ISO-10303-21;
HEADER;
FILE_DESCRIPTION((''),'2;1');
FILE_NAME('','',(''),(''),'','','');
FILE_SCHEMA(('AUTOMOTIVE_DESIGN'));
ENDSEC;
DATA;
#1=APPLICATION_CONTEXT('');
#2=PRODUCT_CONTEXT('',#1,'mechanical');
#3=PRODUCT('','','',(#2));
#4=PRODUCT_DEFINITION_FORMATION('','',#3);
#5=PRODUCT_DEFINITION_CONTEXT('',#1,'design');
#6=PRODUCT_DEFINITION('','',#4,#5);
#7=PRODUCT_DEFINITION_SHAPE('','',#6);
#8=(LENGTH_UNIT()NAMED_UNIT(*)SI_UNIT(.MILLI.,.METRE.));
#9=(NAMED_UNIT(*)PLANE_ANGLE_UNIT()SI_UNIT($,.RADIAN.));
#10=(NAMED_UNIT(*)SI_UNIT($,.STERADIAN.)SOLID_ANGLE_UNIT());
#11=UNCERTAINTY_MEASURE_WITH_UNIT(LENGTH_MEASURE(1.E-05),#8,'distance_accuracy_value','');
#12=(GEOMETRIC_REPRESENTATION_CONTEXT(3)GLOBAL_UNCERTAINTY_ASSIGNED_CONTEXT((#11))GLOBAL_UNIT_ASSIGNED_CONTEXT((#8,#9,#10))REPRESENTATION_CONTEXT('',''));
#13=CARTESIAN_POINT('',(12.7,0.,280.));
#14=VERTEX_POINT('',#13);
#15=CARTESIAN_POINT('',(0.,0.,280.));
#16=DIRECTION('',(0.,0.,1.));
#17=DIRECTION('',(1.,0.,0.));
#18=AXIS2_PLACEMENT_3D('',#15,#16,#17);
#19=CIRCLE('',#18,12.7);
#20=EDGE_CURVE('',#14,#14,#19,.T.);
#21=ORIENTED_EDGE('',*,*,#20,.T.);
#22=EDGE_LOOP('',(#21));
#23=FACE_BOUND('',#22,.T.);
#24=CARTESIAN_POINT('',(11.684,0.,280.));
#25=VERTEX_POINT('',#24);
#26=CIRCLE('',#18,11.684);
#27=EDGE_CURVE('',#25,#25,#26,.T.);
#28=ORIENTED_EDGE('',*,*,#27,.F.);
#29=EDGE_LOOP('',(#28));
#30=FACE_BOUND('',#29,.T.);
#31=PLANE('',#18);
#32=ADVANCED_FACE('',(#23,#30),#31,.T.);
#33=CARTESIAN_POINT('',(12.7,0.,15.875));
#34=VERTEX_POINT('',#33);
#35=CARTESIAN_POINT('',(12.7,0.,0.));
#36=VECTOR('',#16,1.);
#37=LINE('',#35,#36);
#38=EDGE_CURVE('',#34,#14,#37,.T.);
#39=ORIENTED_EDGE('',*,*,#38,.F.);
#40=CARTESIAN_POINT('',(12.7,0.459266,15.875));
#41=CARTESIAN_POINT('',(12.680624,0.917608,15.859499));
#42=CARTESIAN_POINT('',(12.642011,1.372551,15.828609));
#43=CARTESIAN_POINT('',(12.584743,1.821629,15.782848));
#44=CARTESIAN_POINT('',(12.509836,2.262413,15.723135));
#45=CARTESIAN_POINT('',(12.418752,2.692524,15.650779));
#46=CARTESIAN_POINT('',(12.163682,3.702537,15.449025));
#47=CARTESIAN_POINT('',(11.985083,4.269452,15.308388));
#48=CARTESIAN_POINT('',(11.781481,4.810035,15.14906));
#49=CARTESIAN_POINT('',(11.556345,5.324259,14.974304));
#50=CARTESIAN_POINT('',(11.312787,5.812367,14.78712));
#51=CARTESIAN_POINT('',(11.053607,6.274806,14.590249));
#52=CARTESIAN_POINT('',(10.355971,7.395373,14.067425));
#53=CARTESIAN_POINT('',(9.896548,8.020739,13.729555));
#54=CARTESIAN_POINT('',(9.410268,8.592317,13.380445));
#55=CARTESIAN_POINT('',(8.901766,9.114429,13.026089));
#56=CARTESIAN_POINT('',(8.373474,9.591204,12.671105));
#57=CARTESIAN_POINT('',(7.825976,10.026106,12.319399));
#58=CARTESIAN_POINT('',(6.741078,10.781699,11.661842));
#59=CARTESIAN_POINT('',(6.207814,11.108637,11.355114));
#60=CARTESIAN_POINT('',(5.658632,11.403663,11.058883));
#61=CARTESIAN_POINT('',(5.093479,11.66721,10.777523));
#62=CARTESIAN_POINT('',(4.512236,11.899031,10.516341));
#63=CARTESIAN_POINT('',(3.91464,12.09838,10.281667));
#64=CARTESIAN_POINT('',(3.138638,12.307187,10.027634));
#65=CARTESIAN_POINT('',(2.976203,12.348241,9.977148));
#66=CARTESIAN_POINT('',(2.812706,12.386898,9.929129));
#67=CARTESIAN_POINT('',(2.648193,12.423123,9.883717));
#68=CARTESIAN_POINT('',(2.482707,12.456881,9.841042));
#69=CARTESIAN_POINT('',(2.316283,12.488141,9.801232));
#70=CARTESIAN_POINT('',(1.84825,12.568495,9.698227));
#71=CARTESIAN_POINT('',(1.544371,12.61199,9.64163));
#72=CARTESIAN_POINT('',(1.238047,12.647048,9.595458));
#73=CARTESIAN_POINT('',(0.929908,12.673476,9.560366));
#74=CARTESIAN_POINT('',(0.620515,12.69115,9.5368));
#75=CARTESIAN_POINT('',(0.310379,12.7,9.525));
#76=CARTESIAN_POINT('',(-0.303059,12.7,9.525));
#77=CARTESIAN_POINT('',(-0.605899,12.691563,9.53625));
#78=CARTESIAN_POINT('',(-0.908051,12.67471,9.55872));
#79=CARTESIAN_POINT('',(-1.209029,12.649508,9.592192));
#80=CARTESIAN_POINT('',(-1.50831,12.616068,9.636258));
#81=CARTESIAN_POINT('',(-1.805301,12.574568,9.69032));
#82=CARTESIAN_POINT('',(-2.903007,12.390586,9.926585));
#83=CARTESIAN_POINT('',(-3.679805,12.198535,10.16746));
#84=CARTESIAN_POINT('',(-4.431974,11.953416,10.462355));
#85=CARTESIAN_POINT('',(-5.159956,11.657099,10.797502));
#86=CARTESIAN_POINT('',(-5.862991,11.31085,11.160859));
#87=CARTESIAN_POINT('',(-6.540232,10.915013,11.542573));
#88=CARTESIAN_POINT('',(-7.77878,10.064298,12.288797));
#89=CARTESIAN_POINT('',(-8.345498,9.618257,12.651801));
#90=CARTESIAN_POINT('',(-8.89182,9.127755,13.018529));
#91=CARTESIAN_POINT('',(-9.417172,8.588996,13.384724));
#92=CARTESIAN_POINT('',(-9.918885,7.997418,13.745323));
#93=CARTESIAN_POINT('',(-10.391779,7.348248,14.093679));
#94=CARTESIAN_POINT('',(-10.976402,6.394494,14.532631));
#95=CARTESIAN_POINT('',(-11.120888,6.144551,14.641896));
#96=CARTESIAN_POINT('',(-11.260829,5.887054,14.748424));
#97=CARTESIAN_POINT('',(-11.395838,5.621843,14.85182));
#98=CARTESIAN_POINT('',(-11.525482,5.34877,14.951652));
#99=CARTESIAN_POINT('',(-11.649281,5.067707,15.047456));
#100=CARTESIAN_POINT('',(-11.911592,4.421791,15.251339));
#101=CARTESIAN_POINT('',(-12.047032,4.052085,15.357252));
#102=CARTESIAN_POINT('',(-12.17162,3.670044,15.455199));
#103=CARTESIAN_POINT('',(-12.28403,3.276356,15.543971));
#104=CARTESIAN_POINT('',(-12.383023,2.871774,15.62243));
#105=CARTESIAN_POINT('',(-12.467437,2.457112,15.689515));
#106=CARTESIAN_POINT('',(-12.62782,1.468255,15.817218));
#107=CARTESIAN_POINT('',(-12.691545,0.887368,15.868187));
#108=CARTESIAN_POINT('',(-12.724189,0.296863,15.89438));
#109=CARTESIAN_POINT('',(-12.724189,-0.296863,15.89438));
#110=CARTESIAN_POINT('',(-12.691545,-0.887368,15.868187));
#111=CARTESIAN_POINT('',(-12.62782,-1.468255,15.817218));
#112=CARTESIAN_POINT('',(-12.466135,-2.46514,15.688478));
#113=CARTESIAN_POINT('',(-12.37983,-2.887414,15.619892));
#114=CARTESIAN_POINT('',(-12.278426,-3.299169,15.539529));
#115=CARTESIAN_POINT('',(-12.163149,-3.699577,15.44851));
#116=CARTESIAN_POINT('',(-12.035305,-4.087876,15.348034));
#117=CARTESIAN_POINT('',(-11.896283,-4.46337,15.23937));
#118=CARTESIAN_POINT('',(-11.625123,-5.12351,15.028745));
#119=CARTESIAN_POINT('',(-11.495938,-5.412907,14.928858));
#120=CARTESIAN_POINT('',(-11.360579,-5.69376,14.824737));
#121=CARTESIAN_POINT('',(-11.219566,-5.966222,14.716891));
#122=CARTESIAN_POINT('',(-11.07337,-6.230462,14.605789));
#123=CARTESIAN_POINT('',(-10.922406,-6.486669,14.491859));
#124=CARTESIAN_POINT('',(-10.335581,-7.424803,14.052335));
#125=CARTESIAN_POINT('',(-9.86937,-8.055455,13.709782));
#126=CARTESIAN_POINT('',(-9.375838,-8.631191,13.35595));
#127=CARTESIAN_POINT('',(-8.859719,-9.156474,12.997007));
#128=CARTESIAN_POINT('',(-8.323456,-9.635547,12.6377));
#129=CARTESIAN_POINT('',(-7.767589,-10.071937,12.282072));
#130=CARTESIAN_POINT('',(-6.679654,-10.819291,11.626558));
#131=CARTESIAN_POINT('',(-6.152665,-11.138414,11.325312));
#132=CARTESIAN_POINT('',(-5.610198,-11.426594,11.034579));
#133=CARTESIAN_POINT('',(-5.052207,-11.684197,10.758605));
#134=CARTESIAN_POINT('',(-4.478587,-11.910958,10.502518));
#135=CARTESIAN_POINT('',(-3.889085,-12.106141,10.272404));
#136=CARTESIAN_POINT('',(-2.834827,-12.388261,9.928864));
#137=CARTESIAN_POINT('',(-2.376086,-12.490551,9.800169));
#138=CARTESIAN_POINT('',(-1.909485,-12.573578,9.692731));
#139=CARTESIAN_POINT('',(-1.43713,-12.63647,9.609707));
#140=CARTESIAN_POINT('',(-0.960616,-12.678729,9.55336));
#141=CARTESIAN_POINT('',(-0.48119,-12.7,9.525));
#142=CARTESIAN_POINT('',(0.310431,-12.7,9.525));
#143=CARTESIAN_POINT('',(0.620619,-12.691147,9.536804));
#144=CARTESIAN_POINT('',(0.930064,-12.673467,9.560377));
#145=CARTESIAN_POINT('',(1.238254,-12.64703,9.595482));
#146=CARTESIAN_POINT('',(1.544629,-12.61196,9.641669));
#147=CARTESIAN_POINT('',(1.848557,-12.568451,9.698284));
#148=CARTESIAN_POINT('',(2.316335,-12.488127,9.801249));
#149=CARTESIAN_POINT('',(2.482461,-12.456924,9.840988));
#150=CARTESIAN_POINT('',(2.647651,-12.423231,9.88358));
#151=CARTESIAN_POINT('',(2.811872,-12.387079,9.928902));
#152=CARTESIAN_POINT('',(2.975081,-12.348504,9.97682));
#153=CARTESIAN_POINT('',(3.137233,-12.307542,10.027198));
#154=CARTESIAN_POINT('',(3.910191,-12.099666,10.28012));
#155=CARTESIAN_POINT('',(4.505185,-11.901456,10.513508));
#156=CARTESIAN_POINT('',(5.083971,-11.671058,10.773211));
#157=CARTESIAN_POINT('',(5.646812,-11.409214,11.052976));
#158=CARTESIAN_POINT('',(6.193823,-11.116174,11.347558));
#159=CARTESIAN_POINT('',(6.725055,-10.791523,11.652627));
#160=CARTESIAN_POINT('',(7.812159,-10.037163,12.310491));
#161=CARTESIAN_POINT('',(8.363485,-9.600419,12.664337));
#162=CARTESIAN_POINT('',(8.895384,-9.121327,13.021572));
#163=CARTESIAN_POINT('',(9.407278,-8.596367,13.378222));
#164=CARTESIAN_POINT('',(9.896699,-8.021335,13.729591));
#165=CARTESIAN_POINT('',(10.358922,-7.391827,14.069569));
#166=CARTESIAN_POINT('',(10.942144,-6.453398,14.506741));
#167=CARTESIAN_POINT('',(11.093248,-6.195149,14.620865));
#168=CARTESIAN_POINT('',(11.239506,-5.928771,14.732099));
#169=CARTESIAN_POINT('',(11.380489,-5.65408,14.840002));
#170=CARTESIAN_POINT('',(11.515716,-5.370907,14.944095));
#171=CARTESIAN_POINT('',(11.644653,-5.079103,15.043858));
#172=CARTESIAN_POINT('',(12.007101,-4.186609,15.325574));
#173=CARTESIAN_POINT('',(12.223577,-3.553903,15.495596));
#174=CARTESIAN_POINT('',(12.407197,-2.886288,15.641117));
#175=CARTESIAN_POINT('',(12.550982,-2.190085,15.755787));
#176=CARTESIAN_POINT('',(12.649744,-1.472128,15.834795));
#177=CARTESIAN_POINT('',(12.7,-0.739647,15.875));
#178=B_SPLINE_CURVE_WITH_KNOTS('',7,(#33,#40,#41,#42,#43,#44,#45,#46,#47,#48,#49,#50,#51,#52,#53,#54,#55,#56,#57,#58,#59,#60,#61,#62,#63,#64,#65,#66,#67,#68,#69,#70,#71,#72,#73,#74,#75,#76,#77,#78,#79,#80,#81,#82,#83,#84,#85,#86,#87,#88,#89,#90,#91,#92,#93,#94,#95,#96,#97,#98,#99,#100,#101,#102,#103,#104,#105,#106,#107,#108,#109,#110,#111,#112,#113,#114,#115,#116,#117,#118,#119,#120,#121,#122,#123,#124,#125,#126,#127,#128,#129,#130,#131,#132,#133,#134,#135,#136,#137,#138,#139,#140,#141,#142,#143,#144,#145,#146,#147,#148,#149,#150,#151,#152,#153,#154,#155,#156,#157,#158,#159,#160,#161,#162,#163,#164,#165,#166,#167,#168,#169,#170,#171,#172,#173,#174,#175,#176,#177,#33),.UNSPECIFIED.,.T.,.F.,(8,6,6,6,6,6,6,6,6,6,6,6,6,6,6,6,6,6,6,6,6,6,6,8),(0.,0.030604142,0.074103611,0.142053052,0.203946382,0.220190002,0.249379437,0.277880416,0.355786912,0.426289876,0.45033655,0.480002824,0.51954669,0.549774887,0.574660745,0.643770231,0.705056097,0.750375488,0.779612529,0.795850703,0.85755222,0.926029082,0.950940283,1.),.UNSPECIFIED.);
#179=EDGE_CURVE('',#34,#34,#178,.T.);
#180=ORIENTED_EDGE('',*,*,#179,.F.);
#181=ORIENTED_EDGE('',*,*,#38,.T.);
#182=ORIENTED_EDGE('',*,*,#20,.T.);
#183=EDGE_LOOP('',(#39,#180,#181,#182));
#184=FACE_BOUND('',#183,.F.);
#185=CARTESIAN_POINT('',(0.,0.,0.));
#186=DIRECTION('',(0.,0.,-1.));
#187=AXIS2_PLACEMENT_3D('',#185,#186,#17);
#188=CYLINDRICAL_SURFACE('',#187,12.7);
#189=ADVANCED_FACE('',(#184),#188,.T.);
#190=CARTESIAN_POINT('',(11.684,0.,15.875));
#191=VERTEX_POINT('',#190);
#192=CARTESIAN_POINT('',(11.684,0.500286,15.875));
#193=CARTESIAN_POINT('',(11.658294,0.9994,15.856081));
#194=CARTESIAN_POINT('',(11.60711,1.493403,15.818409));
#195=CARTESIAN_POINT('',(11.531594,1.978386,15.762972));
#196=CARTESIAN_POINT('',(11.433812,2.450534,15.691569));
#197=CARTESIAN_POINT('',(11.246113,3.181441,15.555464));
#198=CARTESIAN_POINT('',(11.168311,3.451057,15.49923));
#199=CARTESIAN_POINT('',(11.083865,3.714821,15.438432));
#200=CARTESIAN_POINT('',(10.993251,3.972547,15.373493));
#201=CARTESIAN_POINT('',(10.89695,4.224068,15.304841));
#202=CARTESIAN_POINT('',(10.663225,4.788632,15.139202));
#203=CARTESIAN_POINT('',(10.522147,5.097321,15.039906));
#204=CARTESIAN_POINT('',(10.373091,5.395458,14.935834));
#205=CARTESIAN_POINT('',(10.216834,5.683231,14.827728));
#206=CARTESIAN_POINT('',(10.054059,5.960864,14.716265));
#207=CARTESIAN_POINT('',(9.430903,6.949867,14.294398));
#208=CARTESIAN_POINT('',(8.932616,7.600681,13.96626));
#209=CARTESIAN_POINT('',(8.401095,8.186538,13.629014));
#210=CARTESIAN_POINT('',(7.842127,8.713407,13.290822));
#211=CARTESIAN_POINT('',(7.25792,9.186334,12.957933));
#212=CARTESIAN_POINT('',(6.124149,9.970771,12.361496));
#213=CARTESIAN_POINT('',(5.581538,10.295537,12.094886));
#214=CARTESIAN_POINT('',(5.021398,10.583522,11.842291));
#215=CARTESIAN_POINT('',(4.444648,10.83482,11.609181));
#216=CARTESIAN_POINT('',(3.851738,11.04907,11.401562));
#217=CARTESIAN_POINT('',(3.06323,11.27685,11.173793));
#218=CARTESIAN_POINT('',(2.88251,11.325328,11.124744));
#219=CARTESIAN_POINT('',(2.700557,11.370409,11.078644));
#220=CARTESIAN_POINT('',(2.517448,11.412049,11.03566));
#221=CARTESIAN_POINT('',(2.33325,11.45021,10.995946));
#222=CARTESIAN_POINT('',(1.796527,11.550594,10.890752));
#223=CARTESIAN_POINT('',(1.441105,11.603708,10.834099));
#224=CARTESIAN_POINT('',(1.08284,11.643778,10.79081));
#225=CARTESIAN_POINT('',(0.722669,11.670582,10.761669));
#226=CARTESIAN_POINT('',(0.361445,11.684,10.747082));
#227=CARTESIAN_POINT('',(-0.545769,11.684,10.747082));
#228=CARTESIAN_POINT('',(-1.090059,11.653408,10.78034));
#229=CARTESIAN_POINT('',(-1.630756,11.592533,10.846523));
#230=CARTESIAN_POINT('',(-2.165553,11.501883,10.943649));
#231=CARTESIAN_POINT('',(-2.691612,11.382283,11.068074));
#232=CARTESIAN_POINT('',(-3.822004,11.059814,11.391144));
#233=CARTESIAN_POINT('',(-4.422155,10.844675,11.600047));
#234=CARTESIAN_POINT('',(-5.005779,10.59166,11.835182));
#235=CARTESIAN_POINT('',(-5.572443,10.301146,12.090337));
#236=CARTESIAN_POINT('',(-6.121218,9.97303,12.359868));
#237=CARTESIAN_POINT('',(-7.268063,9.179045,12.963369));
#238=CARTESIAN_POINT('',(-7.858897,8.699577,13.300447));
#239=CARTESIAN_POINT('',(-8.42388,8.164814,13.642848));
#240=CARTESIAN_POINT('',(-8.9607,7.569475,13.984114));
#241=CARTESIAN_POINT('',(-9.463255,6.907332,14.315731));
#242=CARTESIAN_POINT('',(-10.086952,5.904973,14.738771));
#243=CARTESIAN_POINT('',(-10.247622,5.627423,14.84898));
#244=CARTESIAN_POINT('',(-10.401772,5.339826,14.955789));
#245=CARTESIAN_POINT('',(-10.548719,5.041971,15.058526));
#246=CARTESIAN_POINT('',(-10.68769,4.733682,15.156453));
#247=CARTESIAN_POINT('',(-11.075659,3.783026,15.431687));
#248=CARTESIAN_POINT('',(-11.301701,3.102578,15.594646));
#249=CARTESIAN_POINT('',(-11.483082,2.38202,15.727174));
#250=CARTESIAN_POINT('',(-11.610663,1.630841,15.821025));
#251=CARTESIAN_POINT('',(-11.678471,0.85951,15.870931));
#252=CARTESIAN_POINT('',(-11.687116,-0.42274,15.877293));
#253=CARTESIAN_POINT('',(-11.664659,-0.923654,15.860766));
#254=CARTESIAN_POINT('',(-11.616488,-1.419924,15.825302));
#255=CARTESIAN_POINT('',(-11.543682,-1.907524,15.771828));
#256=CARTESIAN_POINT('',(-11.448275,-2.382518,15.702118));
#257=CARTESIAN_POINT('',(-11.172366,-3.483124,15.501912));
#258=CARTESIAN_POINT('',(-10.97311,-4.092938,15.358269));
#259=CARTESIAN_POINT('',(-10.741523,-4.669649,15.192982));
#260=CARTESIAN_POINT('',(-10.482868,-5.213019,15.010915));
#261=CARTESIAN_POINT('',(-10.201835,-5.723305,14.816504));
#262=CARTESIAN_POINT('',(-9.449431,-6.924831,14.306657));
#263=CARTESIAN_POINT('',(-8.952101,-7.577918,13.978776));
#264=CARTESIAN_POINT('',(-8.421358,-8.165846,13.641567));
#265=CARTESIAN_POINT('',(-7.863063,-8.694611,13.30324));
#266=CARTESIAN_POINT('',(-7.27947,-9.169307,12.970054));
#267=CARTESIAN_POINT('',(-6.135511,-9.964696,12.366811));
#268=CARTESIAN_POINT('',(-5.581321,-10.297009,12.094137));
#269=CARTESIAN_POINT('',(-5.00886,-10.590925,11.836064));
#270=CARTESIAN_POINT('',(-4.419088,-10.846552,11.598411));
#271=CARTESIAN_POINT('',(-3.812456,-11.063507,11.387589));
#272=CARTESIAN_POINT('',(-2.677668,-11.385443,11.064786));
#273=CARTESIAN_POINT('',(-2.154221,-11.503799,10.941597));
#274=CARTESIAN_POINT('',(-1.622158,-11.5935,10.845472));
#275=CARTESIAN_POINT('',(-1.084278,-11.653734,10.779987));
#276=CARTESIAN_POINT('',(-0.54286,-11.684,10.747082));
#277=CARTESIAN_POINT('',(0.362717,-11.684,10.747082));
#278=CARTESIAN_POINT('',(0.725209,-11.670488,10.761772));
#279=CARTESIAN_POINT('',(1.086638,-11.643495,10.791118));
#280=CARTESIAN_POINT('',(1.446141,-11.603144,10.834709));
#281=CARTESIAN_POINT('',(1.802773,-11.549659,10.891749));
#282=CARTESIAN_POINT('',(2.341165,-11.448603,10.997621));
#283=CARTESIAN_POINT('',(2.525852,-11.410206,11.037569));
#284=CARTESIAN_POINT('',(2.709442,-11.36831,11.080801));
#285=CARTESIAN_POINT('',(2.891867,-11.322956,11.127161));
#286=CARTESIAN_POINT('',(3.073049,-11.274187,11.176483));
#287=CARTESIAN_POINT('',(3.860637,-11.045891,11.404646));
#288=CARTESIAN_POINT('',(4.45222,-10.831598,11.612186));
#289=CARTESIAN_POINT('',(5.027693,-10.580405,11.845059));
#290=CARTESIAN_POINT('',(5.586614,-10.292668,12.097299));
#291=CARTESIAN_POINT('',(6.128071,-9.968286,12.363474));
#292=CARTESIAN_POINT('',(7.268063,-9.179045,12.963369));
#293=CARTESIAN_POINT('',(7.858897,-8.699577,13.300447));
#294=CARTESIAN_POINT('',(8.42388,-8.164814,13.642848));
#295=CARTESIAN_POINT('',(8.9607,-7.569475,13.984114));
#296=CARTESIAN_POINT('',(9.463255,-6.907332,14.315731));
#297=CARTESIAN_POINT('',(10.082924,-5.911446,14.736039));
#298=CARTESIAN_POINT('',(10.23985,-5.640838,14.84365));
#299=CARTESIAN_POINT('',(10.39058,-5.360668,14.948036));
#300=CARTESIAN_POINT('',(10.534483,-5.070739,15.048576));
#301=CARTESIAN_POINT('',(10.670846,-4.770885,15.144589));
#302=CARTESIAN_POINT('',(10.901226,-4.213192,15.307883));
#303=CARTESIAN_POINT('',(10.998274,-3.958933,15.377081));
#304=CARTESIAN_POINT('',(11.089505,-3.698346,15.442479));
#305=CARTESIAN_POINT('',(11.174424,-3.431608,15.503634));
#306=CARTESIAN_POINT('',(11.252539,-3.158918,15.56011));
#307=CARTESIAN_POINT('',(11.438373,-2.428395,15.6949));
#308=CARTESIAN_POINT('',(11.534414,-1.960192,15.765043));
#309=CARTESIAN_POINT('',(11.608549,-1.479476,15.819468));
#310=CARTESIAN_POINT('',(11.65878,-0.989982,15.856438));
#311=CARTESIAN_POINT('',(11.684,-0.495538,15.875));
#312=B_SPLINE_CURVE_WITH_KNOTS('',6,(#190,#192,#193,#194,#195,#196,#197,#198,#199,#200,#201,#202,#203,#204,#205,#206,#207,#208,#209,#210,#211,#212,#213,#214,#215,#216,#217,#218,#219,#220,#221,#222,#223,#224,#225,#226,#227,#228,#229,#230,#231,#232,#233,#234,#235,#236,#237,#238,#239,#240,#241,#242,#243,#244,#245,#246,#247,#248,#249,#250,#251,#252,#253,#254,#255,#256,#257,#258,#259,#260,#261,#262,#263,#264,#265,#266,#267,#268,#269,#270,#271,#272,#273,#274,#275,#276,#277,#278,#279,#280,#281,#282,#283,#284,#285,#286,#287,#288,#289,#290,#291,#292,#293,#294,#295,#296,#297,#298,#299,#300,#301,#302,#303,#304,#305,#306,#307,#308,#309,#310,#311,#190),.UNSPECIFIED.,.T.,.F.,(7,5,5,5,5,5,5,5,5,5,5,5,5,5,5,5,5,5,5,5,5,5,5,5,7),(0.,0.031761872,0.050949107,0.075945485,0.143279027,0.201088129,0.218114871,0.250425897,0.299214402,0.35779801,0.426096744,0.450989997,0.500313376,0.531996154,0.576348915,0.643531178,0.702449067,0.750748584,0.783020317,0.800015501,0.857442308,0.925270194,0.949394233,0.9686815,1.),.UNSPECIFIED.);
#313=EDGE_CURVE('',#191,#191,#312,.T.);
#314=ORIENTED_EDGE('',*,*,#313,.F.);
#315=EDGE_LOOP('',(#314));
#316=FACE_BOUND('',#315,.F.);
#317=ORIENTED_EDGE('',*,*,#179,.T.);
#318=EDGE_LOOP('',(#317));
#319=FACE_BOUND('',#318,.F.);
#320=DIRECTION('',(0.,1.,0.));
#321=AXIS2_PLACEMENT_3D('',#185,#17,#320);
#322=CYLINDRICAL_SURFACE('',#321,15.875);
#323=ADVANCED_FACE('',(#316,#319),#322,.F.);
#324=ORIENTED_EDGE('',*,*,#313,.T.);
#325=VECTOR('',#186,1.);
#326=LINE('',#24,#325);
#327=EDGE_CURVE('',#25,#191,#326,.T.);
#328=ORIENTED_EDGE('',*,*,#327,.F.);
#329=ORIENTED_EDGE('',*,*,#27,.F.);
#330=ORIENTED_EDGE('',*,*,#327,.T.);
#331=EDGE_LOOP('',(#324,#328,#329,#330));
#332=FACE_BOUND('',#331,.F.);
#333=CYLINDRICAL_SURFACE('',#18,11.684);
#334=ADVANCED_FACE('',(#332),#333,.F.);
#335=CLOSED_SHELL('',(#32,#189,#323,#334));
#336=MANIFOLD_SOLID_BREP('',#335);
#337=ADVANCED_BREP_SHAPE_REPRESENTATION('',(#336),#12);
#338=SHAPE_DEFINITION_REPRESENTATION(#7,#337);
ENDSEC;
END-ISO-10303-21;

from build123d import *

# Parameters (mm, degrees)
F0_R     = 12.7
F1_DEPTH = 280
F2_R     = 15.875
F3_DEPTH = 50
F4_R     = 11.684
F5_DEPTH = 270.476


with BuildPart() as f1:
    # F0 (on Top) → F1 (new body)
    with BuildSketch(Plane.XY):
        Circle(F0_R)
    extrude(amount=F1_DEPTH)

    # F2 (on Right) → F3 (cut, symmetric)
    with BuildSketch(Plane.YZ):
        Circle(F2_R)
    extrude(amount=F3_DEPTH, both=True, mode=Mode.SUBTRACT)

    # F4 (on face) → F5 (cut, through all)
    with BuildSketch(Plane.XY.offset(280)):
        Circle(F4_R)
    extrude(amount=-F5_DEPTH, mode=Mode.SUBTRACT)


solid = f1.part
